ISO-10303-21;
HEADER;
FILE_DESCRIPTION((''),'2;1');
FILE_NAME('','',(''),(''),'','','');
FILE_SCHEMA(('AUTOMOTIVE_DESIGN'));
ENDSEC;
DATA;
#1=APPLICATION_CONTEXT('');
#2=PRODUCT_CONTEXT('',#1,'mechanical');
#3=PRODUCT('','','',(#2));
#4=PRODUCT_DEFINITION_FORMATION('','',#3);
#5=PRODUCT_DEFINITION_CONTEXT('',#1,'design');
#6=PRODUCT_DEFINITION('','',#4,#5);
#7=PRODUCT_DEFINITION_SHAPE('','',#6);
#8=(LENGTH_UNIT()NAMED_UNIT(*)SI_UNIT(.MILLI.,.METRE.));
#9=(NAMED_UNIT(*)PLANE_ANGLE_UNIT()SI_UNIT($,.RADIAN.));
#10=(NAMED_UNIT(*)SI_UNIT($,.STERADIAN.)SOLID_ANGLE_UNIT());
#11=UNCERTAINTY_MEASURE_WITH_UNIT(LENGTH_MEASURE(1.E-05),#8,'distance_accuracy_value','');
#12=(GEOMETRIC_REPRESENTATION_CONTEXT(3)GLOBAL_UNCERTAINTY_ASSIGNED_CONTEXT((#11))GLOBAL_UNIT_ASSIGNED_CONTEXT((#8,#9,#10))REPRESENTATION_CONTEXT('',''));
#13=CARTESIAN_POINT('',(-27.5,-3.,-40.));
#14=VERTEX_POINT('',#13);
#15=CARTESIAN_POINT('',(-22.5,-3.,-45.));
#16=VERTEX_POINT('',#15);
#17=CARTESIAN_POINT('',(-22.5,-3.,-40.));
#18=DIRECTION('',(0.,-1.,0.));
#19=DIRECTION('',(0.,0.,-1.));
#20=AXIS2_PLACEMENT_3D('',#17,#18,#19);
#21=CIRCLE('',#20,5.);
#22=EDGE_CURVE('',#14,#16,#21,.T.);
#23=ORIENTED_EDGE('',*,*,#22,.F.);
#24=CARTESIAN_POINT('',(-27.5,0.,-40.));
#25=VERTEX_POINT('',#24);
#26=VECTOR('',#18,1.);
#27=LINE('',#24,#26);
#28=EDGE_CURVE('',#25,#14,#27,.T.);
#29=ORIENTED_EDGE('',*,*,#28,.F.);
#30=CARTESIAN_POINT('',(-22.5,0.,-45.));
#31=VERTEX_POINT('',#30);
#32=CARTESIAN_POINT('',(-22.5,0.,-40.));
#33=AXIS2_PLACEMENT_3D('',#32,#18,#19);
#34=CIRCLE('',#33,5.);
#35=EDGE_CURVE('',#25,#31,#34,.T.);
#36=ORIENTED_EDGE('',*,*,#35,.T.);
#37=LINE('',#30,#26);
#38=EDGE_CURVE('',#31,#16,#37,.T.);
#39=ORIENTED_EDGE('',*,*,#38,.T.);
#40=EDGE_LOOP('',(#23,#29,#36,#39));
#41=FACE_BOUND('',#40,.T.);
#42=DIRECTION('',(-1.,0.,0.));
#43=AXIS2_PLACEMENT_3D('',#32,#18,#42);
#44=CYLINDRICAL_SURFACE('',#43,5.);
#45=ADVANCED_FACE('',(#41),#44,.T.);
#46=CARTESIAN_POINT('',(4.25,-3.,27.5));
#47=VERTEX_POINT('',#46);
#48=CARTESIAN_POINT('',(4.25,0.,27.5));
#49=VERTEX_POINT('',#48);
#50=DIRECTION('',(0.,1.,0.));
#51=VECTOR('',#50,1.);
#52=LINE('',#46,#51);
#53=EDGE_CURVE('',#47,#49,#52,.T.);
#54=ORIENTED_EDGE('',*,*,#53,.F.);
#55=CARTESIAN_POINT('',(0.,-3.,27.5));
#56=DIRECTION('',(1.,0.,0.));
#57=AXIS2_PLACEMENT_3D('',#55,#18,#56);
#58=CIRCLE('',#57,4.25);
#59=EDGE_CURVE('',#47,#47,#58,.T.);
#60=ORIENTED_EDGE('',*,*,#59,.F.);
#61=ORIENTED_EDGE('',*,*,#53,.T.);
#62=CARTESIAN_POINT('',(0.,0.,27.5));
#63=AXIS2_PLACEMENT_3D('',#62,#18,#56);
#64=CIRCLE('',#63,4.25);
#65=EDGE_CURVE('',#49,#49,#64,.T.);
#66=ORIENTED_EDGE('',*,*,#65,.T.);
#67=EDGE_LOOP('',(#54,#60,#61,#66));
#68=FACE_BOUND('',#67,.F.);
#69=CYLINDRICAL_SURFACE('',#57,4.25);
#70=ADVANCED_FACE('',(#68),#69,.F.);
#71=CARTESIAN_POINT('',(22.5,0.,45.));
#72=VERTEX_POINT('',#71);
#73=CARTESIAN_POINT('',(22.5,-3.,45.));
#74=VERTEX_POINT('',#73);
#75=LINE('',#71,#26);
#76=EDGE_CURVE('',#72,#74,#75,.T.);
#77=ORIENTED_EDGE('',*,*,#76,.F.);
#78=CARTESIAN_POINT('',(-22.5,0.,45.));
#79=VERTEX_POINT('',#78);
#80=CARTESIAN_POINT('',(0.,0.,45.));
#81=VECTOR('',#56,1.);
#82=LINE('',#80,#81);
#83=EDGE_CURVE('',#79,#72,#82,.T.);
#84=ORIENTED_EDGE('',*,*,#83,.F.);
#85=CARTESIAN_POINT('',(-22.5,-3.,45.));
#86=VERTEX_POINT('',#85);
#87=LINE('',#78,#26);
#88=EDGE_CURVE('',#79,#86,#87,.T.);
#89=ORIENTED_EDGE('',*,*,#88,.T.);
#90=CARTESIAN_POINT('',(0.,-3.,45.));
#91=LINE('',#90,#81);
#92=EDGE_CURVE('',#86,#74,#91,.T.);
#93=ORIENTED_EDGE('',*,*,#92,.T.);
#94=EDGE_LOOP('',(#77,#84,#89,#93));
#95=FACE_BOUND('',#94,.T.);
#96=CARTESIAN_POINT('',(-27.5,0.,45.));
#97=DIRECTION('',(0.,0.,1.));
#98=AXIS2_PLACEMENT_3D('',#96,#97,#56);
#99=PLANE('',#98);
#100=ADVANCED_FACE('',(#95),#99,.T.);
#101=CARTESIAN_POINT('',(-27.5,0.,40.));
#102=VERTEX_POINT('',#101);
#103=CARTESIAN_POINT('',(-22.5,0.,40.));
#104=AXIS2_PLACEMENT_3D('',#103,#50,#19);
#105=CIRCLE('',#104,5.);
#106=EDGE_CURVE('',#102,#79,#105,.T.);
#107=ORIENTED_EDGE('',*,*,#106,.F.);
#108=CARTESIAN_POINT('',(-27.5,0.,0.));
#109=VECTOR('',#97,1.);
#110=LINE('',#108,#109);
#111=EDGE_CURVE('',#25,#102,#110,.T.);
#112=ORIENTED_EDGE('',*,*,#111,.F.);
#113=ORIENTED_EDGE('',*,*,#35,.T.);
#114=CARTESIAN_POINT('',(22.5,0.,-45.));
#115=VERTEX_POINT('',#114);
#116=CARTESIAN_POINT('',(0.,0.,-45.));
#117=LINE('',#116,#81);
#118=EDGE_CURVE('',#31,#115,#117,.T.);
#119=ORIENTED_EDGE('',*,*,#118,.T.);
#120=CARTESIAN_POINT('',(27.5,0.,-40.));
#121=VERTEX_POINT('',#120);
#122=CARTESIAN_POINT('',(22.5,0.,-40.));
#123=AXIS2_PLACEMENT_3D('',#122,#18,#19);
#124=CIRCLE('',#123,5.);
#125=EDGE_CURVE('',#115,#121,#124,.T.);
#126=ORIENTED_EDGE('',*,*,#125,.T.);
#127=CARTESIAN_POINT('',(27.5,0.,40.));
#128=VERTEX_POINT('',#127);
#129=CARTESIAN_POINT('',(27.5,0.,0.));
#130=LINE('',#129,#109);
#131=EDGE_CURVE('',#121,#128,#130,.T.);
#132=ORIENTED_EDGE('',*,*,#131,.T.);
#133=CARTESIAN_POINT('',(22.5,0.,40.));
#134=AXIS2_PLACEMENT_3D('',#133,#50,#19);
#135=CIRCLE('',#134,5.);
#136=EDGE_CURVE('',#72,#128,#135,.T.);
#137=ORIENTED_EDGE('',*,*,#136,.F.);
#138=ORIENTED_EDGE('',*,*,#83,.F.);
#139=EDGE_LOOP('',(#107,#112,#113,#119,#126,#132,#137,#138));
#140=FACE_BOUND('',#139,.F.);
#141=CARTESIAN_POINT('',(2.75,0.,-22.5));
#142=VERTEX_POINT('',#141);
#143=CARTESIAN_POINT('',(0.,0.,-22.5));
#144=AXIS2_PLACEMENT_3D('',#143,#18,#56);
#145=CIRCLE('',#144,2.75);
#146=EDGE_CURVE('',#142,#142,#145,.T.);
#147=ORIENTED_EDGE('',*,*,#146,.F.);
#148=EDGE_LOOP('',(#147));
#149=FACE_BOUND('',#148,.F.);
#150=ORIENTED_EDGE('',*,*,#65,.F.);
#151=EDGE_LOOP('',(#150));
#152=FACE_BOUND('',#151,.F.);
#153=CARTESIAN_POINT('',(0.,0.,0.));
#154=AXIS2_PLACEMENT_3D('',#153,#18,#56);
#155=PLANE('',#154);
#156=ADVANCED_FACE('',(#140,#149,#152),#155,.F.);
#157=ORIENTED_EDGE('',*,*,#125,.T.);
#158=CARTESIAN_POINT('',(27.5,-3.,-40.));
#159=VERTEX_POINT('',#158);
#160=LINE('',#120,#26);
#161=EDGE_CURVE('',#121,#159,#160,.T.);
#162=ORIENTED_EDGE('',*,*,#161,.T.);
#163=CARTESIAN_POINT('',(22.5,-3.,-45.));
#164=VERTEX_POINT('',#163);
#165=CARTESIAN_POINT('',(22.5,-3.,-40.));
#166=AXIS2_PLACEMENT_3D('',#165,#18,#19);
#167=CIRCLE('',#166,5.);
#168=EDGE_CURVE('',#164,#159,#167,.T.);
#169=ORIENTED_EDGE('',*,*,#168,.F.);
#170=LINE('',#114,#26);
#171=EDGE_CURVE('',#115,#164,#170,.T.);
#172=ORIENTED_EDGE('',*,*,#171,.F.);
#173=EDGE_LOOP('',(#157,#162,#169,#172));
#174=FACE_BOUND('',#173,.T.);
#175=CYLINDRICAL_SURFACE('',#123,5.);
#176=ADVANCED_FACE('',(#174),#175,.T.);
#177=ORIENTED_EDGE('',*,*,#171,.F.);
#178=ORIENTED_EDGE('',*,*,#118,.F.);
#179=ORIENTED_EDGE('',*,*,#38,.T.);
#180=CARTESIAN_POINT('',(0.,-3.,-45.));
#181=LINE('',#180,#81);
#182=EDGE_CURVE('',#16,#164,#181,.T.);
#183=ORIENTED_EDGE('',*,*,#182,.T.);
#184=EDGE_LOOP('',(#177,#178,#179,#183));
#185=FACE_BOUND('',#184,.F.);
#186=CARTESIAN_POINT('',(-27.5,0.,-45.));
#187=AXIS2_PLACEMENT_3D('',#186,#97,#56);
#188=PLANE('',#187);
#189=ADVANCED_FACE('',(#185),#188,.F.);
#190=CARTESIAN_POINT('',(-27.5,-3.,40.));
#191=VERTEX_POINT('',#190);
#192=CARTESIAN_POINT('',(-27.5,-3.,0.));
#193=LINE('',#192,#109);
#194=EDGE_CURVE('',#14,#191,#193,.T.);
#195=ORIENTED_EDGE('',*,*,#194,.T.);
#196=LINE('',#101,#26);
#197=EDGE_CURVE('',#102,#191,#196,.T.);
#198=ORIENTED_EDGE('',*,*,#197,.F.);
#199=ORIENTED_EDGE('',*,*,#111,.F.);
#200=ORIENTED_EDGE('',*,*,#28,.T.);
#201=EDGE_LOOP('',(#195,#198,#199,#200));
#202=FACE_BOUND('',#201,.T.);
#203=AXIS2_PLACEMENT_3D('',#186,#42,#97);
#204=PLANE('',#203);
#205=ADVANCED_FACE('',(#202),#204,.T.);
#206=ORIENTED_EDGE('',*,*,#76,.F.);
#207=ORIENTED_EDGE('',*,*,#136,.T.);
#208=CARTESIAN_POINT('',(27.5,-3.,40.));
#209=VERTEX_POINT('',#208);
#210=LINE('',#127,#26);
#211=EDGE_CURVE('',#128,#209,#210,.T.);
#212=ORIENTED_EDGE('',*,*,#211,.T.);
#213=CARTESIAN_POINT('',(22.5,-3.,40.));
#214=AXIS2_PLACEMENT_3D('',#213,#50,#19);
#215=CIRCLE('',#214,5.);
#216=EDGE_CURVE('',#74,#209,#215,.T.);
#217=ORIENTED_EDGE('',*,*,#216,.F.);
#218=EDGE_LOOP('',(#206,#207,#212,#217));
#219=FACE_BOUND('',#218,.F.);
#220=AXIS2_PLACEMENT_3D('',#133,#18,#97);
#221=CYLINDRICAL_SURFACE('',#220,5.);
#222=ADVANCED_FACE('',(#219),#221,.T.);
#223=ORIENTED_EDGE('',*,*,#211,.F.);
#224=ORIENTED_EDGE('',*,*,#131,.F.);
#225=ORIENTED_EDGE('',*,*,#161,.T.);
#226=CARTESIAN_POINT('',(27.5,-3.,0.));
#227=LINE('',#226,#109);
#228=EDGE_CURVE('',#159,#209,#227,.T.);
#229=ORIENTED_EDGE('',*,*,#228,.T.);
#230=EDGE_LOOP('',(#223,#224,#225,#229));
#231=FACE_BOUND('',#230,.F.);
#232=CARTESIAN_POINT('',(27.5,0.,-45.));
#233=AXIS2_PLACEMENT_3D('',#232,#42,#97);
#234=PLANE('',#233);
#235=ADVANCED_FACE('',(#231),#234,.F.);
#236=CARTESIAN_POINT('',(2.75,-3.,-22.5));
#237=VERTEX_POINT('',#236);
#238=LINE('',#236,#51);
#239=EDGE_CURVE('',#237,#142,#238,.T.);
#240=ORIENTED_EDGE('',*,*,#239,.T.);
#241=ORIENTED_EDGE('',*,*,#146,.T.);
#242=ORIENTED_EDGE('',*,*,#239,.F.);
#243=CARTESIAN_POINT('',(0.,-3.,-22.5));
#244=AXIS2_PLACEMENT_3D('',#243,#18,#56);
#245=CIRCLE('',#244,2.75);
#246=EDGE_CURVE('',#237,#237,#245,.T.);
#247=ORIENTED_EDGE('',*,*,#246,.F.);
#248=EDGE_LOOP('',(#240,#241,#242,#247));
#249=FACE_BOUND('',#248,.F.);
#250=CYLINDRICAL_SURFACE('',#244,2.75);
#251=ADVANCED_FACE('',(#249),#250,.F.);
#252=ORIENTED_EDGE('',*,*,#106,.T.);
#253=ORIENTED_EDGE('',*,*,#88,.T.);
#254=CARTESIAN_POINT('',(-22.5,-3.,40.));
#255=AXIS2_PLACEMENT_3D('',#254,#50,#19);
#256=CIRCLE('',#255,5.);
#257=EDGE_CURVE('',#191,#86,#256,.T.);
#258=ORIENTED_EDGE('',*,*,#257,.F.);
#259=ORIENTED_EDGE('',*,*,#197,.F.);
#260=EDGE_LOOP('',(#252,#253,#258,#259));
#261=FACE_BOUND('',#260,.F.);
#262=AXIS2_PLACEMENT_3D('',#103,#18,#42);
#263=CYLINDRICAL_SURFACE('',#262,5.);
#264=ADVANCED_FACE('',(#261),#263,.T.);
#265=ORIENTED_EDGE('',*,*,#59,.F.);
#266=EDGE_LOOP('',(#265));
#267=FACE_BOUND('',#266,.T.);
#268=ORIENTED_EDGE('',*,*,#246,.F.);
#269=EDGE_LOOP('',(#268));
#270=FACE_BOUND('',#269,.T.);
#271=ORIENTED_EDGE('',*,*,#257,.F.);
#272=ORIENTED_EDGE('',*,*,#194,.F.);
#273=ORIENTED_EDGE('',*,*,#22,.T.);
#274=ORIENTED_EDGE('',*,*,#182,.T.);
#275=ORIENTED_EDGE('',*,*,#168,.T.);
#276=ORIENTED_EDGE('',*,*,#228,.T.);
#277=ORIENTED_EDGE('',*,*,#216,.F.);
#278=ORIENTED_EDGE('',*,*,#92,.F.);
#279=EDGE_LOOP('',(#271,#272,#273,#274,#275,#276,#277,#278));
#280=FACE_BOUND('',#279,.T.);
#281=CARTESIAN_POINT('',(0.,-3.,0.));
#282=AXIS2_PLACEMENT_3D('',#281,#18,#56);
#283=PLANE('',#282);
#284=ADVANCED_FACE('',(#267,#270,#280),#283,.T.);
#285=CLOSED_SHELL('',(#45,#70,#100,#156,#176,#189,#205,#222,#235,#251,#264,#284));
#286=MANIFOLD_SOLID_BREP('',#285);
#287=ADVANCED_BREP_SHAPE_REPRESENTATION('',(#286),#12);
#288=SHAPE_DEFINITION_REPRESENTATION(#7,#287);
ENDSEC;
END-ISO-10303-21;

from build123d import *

# Parameters (mm, degrees)
F0_W     = 55
F0_H     = 90
F1_DEPTH = 3
F2_R     = 4.25
F3_DEPTH = 3
F4_R     = 5
F5_R     = 2.75
F6_DEPTH = 3


with BuildPart() as f1:
    # F0 (on Front) → F1 (new body)
    with BuildSketch(Plane.XZ):
        Rectangle(F0_W, F0_H)
    extrude(amount=F1_DEPTH)

    # F2 (on face) → F3 (cut, through all)
    with BuildSketch(Plane.XZ.offset(3)):
        with Locations((0, 27.5)):
            Circle(F2_R)
    extrude(amount=-F3_DEPTH, mode=Mode.SUBTRACT)

    # F4
    f4_edges = [f1.edges().sort_by_distance(p)[0] for p in [
        (-27.5, -1.5, 45),
        (27.5, -1.5, 45),
        (27.5, -1.5, -45),
        (-27.5, -1.5, -45),
    ]]
    fillet(f4_edges, radius=F4_R)

    # F5 (on face) → F6 (cut, through all)
    with BuildSketch(Plane.XZ.offset(3)):
        with Locations((0, -22.5)):
            Circle(F5_R)
    extrude(amount=-F6_DEPTH, mode=Mode.SUBTRACT)


solid = f1.part
